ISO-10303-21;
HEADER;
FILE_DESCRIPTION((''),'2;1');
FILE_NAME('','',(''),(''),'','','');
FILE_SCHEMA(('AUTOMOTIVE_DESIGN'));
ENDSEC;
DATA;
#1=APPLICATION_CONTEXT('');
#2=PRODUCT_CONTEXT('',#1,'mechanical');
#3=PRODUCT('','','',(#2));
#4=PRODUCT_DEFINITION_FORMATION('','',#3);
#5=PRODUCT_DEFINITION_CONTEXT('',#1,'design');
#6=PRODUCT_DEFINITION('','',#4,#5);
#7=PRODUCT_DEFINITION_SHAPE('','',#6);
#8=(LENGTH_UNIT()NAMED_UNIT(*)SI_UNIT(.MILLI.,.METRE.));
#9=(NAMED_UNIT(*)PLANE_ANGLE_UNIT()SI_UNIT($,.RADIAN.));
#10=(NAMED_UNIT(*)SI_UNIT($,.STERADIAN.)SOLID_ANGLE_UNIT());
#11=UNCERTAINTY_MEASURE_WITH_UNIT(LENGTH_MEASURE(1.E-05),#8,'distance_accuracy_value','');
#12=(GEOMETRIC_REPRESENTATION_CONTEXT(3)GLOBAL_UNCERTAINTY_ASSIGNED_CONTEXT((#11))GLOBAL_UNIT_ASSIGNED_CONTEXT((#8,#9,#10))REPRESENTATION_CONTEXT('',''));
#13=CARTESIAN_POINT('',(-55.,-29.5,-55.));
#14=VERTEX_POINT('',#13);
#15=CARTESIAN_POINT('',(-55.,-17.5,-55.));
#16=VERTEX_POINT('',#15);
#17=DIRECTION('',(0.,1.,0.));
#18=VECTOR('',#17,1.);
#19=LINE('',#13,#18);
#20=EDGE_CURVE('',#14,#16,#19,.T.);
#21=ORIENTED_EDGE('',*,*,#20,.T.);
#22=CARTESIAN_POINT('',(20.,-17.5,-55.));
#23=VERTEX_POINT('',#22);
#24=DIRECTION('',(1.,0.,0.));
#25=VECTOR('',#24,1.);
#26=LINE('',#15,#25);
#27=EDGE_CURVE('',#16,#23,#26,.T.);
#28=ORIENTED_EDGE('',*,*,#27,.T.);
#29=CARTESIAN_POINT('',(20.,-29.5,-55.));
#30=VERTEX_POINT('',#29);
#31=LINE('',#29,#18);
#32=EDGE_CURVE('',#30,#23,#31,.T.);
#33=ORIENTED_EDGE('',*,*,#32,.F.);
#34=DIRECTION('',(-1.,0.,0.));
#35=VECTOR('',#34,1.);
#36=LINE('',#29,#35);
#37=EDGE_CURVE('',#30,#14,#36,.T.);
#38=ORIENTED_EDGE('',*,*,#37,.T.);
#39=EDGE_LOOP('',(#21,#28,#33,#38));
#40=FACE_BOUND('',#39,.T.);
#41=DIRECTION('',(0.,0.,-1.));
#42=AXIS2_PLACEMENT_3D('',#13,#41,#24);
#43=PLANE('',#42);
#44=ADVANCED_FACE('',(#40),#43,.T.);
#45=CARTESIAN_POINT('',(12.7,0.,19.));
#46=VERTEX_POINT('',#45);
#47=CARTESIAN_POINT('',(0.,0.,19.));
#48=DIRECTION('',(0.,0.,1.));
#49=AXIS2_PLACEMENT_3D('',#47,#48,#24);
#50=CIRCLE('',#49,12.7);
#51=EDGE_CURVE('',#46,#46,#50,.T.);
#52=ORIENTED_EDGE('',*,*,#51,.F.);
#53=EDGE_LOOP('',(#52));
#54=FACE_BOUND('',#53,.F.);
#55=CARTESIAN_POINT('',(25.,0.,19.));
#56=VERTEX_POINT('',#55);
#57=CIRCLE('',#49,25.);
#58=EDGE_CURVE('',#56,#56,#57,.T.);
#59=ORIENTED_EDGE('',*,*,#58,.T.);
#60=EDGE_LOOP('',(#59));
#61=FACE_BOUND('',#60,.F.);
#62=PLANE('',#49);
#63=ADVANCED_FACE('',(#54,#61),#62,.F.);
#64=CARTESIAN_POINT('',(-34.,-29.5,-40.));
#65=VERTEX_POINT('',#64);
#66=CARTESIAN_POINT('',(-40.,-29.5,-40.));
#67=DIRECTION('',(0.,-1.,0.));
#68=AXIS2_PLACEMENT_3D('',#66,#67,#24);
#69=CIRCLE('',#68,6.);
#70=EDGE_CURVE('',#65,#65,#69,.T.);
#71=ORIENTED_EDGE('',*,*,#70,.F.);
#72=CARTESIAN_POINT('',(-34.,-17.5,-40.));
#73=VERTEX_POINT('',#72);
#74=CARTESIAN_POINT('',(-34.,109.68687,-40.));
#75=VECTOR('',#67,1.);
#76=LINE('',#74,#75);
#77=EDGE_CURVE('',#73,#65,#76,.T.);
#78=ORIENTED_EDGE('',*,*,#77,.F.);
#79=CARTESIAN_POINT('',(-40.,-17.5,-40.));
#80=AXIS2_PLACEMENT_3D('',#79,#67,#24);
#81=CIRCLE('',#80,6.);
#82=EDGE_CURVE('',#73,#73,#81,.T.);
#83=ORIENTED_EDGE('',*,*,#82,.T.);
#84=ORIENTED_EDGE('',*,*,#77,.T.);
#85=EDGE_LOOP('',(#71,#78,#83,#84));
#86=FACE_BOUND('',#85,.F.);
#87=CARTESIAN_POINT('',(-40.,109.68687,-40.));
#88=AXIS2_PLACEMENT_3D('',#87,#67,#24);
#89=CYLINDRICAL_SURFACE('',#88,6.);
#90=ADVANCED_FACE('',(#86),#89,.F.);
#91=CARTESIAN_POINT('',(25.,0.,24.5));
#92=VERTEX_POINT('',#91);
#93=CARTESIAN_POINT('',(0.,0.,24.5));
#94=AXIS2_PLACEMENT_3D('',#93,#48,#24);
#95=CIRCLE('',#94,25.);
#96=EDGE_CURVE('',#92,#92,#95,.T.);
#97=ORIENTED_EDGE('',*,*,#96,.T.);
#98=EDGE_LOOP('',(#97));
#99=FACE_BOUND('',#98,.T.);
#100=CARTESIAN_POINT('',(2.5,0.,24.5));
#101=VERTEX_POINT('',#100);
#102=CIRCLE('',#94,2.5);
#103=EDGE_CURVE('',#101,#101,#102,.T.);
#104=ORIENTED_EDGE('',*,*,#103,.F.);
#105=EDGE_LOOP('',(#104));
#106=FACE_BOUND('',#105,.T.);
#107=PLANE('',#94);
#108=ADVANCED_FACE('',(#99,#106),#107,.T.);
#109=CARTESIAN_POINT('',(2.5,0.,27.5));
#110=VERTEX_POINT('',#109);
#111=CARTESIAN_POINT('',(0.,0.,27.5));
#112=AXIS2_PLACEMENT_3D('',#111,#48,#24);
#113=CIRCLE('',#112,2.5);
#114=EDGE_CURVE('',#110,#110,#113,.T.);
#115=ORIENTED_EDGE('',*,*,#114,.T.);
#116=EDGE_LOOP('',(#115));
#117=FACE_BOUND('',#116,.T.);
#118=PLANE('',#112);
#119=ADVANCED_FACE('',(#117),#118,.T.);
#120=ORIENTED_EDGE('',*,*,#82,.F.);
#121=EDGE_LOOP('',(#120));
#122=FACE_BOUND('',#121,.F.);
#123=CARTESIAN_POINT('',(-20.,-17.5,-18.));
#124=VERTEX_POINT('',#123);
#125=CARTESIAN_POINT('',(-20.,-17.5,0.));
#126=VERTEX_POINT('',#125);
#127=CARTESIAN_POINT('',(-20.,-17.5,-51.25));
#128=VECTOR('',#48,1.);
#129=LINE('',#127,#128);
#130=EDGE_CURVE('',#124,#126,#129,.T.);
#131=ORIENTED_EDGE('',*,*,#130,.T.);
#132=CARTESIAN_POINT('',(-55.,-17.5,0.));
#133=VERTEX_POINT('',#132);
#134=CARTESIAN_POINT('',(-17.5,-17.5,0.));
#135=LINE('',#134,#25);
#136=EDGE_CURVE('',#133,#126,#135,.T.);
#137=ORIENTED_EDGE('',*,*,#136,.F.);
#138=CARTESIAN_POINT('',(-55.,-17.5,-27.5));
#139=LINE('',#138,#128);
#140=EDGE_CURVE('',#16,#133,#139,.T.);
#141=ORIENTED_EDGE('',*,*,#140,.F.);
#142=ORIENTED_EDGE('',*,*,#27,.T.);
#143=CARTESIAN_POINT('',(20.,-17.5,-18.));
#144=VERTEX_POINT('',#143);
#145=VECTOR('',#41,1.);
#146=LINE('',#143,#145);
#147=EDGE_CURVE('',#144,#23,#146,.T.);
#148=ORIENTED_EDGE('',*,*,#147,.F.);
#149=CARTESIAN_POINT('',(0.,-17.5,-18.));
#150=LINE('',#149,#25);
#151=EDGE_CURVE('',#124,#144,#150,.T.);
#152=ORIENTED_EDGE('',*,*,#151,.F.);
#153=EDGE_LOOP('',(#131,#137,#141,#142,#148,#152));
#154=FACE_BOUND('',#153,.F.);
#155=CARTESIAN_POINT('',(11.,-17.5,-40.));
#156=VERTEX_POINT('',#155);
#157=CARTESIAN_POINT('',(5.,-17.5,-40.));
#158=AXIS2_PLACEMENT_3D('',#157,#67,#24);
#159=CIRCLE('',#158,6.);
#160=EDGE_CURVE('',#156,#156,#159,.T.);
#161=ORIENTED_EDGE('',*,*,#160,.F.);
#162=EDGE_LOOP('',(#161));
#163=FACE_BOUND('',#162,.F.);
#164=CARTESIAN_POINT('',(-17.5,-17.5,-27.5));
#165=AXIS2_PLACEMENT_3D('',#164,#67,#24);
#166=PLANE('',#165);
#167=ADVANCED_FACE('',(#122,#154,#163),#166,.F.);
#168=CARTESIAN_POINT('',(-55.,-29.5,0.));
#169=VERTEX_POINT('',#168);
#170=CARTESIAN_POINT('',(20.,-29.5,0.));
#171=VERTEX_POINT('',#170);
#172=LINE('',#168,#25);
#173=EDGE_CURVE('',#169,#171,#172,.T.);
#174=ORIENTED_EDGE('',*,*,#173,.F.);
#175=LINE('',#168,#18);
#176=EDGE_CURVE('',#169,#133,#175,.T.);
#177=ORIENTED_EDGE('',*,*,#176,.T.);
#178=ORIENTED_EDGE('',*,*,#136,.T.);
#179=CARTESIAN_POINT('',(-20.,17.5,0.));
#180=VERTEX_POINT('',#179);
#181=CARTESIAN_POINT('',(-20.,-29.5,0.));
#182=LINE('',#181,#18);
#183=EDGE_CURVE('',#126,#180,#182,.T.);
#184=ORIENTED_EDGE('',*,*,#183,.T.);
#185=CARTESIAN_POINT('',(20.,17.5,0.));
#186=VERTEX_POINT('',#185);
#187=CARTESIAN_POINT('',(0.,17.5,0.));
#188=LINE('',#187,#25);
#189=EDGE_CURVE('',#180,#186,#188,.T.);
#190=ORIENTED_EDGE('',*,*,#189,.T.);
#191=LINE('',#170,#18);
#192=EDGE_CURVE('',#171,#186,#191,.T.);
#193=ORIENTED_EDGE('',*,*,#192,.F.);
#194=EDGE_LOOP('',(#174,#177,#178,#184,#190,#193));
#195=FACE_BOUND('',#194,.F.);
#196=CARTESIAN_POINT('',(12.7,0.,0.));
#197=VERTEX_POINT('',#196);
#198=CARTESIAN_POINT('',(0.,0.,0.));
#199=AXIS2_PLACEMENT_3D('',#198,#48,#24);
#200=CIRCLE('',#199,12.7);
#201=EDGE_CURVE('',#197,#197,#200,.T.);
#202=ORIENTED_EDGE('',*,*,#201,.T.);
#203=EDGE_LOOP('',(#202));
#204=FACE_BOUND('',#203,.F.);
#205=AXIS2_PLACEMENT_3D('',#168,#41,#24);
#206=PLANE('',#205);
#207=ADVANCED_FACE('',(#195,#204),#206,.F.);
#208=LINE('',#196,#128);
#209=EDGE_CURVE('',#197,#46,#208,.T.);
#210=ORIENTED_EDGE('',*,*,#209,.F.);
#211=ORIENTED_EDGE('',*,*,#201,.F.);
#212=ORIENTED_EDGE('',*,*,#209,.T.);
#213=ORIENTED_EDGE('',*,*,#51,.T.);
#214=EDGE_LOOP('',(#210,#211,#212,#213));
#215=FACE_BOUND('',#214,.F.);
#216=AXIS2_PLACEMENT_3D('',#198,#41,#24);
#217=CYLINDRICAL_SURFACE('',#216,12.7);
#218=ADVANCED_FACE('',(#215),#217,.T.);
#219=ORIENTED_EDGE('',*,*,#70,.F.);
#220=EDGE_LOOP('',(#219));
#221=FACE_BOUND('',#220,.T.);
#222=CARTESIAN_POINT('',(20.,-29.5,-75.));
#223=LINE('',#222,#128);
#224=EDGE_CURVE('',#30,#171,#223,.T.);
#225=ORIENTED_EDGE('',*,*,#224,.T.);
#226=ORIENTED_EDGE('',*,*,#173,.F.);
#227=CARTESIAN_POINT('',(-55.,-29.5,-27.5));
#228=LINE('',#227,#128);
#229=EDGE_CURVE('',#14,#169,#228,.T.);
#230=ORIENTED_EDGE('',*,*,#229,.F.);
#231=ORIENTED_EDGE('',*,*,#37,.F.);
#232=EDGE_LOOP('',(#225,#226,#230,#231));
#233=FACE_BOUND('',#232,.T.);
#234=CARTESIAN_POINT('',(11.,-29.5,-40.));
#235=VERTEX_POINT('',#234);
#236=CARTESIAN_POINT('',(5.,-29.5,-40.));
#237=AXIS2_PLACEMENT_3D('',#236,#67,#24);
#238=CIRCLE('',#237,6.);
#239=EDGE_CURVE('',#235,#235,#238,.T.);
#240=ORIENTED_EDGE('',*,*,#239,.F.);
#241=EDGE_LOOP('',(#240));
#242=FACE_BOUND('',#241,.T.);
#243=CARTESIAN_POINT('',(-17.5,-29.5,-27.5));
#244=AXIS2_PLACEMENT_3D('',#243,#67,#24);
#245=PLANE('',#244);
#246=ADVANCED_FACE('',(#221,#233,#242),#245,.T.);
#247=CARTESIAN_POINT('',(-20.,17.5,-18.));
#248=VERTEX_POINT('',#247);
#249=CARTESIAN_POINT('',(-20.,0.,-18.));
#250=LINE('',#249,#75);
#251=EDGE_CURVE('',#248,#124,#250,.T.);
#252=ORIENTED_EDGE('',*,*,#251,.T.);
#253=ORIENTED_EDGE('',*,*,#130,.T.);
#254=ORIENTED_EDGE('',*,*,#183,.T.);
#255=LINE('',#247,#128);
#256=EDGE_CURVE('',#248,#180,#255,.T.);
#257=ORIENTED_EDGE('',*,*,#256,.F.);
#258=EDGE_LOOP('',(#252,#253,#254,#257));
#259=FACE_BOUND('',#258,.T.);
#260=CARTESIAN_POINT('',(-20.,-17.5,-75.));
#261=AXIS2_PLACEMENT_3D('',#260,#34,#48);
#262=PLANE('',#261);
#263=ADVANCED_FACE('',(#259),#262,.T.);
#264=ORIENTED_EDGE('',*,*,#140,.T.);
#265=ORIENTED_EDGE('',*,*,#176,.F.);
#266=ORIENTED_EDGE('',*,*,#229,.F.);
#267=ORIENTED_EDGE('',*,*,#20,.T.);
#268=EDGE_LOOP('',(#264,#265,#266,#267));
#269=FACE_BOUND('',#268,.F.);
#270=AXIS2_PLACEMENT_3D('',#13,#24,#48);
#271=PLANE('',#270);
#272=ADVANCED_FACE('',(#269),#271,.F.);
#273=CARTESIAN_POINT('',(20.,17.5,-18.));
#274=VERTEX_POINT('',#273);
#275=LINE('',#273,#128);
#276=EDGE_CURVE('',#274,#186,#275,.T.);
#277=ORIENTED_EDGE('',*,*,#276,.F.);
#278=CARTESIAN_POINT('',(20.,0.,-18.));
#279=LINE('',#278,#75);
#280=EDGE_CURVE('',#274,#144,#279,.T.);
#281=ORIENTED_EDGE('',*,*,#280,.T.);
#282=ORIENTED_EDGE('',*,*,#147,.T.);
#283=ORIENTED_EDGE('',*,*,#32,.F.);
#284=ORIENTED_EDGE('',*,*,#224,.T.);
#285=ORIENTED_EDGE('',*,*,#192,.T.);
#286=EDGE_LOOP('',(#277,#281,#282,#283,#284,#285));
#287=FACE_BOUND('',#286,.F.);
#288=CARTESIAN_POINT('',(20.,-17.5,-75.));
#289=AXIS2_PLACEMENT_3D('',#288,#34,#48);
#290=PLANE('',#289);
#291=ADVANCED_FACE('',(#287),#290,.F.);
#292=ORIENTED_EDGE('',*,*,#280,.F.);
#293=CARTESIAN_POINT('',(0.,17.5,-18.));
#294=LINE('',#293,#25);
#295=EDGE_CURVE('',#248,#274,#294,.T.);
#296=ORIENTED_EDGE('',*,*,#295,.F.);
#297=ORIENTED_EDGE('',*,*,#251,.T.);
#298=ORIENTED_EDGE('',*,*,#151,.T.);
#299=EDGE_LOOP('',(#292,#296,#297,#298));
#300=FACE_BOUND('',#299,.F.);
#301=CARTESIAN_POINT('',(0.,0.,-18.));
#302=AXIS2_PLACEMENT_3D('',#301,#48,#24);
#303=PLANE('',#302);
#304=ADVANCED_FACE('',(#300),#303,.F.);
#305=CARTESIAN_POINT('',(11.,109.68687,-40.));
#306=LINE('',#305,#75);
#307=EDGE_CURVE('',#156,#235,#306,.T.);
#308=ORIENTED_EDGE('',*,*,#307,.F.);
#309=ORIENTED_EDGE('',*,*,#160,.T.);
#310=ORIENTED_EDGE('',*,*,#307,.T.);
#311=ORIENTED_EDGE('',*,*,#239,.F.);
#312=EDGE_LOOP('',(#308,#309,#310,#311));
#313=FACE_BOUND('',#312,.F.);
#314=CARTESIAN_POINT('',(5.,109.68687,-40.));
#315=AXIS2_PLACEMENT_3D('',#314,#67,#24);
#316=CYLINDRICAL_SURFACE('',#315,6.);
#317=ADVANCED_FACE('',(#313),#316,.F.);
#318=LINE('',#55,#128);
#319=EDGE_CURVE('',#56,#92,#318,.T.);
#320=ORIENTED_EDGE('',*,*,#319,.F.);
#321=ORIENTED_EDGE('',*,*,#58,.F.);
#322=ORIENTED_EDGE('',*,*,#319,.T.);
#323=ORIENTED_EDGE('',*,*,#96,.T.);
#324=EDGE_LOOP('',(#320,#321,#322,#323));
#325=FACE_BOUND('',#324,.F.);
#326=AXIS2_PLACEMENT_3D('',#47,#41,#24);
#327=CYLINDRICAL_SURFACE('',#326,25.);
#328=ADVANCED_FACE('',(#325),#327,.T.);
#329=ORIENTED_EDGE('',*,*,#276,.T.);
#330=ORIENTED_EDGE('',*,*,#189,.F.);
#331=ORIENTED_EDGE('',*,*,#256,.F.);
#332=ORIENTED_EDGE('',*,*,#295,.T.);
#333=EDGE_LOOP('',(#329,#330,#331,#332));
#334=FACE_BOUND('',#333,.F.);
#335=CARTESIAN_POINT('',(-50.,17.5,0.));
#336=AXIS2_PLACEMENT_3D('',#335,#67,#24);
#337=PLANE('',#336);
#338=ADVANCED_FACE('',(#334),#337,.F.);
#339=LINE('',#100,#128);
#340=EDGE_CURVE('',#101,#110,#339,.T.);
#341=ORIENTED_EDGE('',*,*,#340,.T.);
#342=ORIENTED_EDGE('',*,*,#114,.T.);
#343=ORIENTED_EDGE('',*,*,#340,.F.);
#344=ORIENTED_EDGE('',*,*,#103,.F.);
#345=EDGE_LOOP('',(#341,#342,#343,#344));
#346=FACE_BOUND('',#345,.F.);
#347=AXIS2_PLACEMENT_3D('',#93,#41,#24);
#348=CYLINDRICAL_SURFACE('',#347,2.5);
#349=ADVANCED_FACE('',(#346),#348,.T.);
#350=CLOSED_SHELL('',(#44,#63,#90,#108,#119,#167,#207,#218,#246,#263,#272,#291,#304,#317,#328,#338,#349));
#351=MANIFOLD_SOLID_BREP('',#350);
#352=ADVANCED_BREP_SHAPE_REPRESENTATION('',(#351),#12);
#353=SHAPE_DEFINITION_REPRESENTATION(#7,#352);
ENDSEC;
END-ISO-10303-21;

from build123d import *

# Parameters (mm, degrees)
F0_W      = 100
F0_H      = 35
F1_DEPTH  = 18
F3_D      = 12
F4_R      = 12.7
F5_DEPTH  = 19
F6_R      = 25
F6_R_2    = 12.7
F7_DEPTH  = 5.5
F8_R      = 2.5
F9_DEPTH  = 3
F10_W     = 100
F10_H     = 57
F10_H_2   = 18
F11_DEPTH = 12
F12_W     = 30
F12_H     = 35
F13_DEPTH = 25
F14_W     = 30
F14_H     = 75
F15_DEPTH = 25
F16_W     = 75
F16_H     = 55
F17_DEPTH = 12
F18_W     = 40
F18_H     = 20
F19_DEPTH = 25
F21_D     = 12


with BuildPart() as f1:
    # F0 (on Top) → F1 (new body)
    with BuildSketch(Plane.XY):
        Rectangle(F0_W, F0_H)
    extrude(amount=-F1_DEPTH)

    # F3 (through all)
    with Locations(Plane.XY):
        with Locations((-38, 0), (38, 0)):
            Hole(F3_D / 2)

    # F4 (on face) → F5 (join)
    with BuildSketch(Plane.XY):
        Circle(F4_R)
    extrude(amount=F5_DEPTH)

    # F6 (on face) → F7 (join)
    with BuildSketch(Plane.XY.offset(19)):
        Circle(F6_R)
        Circle(F6_R_2, mode=Mode.SUBTRACT)
        Circle(F6_R_2)
    extrude(amount=F7_DEPTH)

    # F8 (on face) → F9 (join)
    with BuildSketch(Plane.XY.offset(24.5)):
        Circle(F8_R)
    extrude(amount=F9_DEPTH)

    # F10 (on face) → F11 (join)
    with BuildSketch(Plane.XZ.offset(17.5)):
        with Locations((0, -46.5)):
            Rectangle(F10_W, F10_H)
        with Locations((0, -9)):
            Rectangle(F10_W, F10_H_2)
    extrude(amount=F11_DEPTH)

    # F12 (on face) → F13 (cut)
    with BuildSketch(Plane(origin=(0, 0, -18), x_dir=(1, 0, 0), z_dir=(0, 0, -1))):
        with Locations((35, 0)):
            Rectangle(F12_W, F12_H)
        with Locations((-35, 0)):
            Rectangle(F12_W, F12_H)
    extrude(amount=-F13_DEPTH, mode=Mode.SUBTRACT)

    # F14 (on face) → F15 (cut)
    with BuildSketch(Plane(origin=(0, -17.5, 0), x_dir=(-1, 0, 0), z_dir=(0, 1, 0))):
        with Locations((-35, -37.5)):
            Rectangle(F14_W, F14_H)
        with Locations((35, -37.5)):
            Rectangle(F14_W, F14_H)
    extrude(amount=-F15_DEPTH, mode=Mode.SUBTRACT)

    # F16 (on face) → F17 (join)
    with BuildSketch(Plane.XZ.offset(29.5)):
        with Locations((-17.5, -27.5)):
            Rectangle(F16_W, F16_H)
    extrude(amount=-F17_DEPTH)

    # F18 (on face) → F19 (cut)
    with BuildSketch(Plane.XZ.offset(29.5)):
        with Locations((0, -65)):
            Rectangle(F18_W, F18_H)
    extrude(amount=-F19_DEPTH, mode=Mode.SUBTRACT)

    # F21 (through all)
    with Locations(Plane(origin=(0, -17.5, 0), x_dir=(-1, 0, 0), z_dir=(0, 1, 0))):
        with Locations((-5, -40), (40, -40)):
            Hole(F21_D / 2)


solid = f1.part
